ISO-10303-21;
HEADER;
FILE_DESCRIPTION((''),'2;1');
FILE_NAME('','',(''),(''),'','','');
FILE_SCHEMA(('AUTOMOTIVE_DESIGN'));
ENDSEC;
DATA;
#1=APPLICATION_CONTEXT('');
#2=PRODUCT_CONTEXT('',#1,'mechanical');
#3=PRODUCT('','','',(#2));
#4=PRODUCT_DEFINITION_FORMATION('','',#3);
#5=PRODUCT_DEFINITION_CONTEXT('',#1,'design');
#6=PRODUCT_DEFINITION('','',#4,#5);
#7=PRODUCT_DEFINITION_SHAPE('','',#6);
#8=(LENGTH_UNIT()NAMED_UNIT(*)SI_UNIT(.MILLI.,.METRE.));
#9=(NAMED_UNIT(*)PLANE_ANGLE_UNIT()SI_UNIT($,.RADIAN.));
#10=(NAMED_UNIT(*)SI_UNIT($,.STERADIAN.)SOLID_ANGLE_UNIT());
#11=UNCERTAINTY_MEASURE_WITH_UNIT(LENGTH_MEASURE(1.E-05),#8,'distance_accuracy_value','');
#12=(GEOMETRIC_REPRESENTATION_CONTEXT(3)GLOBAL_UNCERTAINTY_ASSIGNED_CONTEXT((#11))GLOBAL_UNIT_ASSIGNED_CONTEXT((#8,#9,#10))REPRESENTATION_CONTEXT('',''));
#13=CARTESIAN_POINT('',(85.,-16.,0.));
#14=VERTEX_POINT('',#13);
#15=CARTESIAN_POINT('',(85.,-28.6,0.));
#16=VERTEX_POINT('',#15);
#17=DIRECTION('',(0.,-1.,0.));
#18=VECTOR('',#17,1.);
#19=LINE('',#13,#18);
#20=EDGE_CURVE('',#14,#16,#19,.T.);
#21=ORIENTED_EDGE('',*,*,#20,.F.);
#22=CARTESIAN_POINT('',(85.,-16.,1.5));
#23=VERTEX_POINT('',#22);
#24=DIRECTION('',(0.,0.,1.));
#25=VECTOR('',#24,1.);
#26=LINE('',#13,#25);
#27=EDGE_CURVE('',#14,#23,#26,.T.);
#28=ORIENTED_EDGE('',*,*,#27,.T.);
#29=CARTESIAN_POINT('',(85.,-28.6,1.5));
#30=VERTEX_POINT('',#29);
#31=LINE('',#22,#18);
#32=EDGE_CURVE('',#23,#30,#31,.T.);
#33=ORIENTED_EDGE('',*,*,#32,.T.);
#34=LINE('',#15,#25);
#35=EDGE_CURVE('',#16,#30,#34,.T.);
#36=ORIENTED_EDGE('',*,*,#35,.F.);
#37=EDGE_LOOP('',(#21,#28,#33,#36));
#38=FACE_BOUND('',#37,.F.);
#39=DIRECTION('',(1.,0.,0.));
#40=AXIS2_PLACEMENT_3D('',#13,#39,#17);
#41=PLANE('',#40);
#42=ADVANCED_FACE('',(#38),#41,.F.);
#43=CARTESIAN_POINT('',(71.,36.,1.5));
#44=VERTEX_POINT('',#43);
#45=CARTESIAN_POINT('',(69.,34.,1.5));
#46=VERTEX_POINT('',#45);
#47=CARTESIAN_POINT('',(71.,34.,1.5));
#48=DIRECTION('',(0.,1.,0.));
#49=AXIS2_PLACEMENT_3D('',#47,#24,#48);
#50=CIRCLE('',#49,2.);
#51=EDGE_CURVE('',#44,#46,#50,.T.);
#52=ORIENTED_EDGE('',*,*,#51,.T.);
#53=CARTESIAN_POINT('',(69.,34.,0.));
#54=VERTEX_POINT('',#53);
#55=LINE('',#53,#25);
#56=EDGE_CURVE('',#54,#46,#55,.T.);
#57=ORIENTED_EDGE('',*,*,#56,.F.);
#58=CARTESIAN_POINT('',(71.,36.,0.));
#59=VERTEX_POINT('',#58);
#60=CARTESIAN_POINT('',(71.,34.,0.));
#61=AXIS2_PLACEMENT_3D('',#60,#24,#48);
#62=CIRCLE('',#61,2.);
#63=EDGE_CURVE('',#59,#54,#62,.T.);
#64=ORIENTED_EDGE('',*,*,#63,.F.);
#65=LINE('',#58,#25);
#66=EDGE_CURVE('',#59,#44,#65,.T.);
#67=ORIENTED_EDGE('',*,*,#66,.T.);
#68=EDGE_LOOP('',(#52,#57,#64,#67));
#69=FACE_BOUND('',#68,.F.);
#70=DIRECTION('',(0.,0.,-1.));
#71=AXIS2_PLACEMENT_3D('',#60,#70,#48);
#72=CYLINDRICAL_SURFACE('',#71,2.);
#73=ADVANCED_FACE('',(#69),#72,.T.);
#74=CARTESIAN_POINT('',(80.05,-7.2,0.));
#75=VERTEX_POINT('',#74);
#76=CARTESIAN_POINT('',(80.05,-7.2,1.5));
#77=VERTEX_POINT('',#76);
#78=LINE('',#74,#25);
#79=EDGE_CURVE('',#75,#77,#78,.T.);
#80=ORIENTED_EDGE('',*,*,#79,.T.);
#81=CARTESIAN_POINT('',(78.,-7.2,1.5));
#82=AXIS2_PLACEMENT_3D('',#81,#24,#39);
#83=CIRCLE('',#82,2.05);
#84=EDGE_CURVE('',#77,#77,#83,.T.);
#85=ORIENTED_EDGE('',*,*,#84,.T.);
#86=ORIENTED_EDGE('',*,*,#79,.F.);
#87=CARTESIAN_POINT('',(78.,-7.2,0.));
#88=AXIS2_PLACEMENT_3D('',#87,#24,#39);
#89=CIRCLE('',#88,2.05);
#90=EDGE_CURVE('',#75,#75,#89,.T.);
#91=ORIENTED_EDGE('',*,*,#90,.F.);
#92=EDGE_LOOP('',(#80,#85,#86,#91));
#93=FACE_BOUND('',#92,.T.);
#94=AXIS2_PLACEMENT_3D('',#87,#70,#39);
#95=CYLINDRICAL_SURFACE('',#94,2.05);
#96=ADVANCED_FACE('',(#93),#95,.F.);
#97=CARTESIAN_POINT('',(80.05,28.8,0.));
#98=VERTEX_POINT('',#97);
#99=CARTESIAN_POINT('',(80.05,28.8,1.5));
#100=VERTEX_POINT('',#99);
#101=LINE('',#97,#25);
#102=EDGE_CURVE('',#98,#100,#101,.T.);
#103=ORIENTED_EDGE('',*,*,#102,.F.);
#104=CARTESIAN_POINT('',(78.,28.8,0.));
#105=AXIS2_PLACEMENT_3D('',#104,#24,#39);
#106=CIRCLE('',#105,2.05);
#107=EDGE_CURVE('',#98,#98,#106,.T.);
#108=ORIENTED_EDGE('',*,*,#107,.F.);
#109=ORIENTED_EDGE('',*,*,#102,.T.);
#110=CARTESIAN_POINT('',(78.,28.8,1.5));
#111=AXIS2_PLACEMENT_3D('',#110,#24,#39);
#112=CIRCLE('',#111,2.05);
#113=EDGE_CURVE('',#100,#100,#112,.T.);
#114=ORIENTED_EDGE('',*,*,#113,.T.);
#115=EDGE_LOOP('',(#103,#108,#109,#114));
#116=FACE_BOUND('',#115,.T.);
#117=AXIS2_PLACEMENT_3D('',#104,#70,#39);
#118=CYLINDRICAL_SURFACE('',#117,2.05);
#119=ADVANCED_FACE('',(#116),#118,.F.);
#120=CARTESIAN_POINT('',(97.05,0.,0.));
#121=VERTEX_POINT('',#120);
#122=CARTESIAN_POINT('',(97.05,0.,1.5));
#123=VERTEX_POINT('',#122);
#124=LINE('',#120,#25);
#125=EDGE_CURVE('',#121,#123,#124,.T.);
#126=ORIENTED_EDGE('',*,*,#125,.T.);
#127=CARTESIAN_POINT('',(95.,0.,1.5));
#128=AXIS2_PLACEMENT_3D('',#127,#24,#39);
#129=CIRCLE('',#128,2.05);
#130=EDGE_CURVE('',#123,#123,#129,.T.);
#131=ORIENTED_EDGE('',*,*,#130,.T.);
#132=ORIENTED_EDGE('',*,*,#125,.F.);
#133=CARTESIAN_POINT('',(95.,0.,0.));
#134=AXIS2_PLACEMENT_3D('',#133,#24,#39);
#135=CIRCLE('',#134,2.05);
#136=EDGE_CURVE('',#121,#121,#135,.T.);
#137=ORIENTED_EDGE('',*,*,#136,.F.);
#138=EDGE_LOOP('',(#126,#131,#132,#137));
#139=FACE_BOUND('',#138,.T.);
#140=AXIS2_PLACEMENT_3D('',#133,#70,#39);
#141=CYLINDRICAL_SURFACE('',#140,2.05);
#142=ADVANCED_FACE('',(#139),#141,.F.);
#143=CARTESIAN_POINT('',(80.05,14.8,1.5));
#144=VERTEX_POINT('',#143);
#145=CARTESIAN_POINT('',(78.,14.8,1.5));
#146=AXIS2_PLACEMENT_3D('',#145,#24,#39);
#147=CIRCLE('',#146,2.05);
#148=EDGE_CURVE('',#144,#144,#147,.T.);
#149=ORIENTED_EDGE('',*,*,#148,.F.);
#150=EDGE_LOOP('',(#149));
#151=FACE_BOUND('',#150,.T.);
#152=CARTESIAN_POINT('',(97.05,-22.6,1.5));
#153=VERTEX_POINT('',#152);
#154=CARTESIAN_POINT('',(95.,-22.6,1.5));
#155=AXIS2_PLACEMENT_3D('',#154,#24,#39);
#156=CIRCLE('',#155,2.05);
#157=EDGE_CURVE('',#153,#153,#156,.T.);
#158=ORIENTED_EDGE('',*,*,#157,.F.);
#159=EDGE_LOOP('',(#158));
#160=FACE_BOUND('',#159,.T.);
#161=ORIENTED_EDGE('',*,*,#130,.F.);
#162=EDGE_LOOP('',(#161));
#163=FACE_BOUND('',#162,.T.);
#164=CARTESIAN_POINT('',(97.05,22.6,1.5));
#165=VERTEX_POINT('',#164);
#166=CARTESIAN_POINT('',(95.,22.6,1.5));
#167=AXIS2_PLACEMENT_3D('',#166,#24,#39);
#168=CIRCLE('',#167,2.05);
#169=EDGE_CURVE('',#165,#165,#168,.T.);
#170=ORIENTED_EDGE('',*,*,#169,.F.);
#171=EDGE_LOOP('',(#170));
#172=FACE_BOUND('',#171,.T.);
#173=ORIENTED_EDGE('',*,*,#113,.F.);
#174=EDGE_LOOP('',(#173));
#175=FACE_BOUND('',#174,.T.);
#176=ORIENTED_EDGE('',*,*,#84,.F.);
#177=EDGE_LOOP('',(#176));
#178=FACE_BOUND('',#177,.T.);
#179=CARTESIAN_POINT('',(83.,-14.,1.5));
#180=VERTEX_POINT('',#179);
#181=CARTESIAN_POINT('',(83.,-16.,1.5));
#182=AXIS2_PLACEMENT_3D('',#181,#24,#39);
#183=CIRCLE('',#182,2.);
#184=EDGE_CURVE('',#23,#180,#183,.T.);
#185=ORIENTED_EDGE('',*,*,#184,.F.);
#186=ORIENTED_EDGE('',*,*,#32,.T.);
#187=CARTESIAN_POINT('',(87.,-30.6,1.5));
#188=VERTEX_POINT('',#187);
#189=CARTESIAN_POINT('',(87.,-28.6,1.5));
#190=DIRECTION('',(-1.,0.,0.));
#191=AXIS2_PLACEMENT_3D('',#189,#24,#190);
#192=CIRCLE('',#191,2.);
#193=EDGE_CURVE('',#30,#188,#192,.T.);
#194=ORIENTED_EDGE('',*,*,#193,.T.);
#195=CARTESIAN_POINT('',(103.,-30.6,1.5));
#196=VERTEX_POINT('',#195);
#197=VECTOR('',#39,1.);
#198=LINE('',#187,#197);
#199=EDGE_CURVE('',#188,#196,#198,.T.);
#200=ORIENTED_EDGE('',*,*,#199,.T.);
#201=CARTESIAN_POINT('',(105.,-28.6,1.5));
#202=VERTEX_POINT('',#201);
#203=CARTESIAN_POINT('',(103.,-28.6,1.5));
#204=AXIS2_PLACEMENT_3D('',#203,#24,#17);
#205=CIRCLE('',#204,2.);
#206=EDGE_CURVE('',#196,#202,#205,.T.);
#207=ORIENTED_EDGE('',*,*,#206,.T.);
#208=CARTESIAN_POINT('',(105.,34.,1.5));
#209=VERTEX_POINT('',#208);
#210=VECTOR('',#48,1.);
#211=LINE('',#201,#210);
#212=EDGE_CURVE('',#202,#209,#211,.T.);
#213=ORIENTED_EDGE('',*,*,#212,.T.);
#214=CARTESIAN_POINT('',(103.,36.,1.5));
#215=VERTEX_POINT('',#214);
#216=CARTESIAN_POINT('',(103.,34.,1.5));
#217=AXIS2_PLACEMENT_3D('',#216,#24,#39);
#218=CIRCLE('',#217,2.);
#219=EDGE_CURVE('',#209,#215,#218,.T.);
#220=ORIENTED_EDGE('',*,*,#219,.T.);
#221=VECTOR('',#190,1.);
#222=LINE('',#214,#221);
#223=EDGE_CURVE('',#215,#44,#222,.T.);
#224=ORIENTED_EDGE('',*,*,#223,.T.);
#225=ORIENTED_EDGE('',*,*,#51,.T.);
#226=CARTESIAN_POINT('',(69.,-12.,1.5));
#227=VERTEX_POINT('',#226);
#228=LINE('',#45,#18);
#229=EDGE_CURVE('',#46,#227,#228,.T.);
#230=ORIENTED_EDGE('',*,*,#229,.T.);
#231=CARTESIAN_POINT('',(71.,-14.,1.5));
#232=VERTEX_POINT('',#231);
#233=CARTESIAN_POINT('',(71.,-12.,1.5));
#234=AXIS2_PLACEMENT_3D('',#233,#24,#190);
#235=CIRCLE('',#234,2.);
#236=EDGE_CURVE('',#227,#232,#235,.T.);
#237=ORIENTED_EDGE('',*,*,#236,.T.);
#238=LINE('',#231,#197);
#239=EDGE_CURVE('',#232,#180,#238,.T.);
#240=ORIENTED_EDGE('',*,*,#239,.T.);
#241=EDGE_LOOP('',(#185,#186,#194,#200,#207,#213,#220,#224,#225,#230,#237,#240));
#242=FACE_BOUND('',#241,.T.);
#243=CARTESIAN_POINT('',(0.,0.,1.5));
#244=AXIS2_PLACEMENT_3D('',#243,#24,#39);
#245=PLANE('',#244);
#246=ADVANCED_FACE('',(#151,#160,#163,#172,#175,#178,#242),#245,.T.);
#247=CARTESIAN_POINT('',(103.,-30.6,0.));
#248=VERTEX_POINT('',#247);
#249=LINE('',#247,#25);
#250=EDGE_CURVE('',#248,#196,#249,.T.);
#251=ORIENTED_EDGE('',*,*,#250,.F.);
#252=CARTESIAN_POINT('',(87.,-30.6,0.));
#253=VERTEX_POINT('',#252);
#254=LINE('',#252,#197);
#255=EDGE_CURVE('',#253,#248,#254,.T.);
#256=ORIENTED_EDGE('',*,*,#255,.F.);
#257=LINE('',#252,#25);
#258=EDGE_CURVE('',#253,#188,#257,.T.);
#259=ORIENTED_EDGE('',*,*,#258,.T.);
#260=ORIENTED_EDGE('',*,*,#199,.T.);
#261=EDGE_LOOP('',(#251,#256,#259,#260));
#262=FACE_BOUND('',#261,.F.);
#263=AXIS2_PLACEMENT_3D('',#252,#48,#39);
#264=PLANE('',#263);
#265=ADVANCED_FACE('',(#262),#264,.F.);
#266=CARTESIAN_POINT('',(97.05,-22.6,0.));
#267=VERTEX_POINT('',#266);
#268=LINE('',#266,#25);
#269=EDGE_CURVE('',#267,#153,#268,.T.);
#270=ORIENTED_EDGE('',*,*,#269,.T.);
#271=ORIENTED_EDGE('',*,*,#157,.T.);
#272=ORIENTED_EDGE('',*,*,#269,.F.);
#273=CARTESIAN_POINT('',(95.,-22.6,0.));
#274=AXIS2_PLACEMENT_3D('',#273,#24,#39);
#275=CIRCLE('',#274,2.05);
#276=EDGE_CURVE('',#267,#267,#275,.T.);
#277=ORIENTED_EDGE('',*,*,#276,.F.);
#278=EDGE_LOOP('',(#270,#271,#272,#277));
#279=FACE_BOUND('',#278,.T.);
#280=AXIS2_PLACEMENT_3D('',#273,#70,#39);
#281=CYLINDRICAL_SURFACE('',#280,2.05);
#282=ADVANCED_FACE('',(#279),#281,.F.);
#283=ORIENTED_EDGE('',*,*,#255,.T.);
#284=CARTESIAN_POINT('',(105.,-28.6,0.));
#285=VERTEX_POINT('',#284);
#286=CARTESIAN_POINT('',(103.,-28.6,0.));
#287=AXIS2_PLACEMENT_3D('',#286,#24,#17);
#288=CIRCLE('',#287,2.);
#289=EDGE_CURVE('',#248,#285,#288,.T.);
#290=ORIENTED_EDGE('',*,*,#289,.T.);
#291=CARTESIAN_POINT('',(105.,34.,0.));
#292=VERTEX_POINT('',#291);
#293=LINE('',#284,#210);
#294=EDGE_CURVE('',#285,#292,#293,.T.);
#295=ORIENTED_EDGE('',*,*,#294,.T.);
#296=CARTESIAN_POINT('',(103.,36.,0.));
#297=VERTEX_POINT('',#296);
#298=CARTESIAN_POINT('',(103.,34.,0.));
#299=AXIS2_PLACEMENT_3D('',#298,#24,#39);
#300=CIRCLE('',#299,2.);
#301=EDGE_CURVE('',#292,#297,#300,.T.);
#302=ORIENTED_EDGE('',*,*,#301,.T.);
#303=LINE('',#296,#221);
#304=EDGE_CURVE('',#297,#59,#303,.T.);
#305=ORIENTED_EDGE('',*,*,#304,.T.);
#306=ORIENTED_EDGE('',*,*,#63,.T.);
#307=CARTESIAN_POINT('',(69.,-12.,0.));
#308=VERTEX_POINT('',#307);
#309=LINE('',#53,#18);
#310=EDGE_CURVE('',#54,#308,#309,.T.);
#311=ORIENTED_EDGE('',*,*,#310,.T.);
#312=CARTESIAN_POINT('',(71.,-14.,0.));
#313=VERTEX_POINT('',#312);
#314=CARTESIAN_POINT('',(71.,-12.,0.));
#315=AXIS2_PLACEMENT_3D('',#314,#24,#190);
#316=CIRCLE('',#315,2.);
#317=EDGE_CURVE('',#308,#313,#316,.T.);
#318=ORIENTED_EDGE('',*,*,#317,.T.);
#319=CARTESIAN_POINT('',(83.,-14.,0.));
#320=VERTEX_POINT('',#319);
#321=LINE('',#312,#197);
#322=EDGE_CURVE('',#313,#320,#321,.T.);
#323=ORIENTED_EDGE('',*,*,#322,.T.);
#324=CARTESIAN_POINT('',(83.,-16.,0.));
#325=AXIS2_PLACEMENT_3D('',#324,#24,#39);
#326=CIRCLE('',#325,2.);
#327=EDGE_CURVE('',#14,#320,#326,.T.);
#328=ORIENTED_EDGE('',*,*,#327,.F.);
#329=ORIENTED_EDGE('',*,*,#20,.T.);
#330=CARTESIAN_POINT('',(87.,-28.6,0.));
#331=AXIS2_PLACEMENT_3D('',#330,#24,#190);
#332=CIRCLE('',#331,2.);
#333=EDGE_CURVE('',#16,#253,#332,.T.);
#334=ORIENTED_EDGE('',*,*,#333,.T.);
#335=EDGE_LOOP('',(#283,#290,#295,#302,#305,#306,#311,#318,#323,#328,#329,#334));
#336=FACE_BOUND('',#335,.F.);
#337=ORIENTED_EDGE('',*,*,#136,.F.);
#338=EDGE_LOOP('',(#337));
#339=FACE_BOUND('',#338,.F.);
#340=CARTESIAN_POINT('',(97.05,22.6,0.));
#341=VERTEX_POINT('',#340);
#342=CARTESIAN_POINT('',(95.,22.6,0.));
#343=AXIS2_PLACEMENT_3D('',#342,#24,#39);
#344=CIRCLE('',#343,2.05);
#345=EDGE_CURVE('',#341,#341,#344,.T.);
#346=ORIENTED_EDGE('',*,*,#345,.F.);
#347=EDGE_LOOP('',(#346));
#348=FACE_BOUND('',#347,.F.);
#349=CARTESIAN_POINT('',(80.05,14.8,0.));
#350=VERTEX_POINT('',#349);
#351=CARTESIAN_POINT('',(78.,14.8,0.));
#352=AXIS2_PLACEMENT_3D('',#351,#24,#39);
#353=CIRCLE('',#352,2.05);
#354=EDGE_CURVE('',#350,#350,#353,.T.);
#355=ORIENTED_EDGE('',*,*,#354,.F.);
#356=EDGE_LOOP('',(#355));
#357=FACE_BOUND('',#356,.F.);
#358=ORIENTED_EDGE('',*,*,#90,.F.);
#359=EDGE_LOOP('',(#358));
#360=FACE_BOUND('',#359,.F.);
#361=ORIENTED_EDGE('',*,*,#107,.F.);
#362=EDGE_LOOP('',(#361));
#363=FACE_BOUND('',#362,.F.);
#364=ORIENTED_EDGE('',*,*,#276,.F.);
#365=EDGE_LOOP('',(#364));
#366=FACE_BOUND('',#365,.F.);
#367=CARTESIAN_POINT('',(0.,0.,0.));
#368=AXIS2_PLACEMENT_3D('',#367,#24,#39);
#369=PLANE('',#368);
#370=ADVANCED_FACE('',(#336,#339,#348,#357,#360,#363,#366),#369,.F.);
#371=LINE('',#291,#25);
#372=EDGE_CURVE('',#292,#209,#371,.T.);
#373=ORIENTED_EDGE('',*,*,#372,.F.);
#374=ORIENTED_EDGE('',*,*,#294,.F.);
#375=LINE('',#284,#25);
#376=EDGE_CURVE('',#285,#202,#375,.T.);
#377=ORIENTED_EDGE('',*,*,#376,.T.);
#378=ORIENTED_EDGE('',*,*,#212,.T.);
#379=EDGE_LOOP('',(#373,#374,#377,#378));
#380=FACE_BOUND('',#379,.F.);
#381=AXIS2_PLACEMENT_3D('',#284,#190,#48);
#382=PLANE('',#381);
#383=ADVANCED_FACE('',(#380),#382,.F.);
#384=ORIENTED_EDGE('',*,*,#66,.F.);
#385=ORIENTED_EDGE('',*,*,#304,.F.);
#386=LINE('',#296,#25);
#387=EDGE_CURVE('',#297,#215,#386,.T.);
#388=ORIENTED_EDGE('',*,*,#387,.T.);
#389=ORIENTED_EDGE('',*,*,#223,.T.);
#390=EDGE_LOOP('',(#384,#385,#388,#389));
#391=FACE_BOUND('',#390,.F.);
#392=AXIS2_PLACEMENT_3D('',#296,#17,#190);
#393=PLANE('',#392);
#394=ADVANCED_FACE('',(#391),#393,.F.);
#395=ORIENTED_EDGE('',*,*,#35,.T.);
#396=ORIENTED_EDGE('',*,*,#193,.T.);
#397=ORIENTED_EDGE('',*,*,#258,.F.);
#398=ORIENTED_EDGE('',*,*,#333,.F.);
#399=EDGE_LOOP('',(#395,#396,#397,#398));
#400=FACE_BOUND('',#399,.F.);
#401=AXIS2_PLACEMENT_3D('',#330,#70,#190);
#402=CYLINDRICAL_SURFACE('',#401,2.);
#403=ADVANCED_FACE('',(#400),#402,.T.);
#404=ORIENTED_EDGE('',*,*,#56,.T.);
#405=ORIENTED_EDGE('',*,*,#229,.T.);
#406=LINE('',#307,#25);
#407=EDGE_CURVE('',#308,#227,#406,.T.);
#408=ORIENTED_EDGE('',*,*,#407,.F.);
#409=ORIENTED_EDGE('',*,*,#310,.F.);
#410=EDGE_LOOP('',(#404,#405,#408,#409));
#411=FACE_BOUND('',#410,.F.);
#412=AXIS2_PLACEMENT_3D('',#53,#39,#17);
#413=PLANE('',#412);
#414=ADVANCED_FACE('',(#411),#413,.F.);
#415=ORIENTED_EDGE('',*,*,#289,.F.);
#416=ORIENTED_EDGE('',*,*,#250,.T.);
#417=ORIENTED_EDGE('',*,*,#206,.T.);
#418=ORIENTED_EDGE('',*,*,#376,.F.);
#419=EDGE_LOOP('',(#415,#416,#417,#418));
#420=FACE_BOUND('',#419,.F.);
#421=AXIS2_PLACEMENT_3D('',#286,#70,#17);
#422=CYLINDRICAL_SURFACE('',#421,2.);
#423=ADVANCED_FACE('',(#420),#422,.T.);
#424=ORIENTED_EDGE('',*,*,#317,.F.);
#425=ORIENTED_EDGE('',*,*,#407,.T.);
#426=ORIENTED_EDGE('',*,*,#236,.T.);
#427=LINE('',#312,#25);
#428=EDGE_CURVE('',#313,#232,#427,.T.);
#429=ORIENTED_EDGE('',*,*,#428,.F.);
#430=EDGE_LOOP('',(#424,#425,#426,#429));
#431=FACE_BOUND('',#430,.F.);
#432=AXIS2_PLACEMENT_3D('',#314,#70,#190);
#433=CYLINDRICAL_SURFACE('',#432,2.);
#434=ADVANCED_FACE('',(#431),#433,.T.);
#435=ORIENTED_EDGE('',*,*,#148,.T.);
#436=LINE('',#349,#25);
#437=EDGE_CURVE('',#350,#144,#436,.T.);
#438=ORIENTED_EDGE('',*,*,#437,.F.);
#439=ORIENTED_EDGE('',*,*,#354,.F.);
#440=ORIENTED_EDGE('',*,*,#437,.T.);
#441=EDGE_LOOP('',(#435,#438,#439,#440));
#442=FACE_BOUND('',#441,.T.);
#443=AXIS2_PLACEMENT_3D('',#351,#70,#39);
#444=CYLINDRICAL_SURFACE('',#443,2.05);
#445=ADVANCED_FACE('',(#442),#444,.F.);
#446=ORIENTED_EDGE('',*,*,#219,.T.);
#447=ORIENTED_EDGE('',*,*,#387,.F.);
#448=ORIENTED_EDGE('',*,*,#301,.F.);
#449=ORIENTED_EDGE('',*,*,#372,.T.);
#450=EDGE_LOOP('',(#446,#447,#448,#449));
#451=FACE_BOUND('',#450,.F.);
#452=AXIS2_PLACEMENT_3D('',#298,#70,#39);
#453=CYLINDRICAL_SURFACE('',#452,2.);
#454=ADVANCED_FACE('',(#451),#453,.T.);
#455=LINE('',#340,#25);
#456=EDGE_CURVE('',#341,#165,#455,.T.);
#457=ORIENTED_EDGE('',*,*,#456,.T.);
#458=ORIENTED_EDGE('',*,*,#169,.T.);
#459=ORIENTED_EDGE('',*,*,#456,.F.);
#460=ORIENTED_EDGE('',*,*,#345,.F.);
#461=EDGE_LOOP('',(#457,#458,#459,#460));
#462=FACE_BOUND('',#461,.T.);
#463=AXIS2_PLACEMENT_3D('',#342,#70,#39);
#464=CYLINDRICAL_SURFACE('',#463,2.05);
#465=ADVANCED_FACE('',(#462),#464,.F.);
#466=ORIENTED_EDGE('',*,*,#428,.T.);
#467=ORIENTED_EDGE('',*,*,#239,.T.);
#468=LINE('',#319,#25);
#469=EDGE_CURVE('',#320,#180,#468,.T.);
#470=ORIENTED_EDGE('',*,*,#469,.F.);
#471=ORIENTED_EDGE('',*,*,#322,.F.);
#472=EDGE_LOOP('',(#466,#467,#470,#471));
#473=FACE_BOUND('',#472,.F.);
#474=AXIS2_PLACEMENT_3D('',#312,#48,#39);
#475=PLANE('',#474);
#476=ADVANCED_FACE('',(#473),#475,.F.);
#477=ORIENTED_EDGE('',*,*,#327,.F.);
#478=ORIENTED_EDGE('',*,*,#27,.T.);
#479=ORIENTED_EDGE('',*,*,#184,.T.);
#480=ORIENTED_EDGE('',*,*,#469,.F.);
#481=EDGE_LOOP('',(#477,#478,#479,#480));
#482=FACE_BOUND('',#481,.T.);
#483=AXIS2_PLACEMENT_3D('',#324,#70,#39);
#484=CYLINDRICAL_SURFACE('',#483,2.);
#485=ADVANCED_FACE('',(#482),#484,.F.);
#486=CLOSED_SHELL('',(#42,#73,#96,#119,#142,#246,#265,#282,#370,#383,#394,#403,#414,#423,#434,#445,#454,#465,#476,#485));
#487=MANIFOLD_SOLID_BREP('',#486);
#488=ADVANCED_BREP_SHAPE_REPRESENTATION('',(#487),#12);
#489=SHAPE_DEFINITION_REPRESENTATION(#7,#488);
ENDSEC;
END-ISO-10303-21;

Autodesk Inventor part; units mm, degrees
ref_plane "YZ Plane" through (0, 0, 0) normal (1, 0, 0) x (0, 1, 0)
ref_plane "XZ Plane" through (0, 0, 0) normal (0, 1, 0) x (-1, 0, 0)
ref_plane "XY Plane" through (0, 0, 0) normal (0, 0, 1) x (1, 0, 0)
sketch "Sketch2" plane through (0, 0, 0) normal (0, 0, 1) x (1, 0, 0)
  arc A0 (93, -22.6) -> (97, -22.6) centre (95, -22.6) ccw construction
  arc A1 (97, -22.6) -> (93, -22.6) centre (95, -22.6) ccw construction
  arc A2 (97, 22.6) -> (93, 22.6) centre (95, 22.6) ccw construction
  arc A3 (93, 22.6) -> (97, 22.6) centre (95, 22.6) ccw construction
  line L0 (207.9, 0) -> (-207.9, 0) construction
  line L1 (0, -294.0706) -> (0, 294.0706) construction
  line L2 (87, -30.6) -> (103, -30.6)
  line L3 (105, -28.6) -> (105, 34)
  line L4 (103, 36) -> (71, 36)
  line L5 (69, 34) -> (69, -12)
  line L6 (71, -14) -> (83, -14)
  line L7 (85, -16) -> (85, -28.6)
  arc A4 (103, -30.6) -> (105, -28.6) centre (103, -28.6) ccw
  arc A5 (85, -28.6) -> (87, -30.6) centre (87, -28.6) ccw
  arc A6 (85, -16) -> (83, -14) centre (83, -16) ccw
  arc A7 (69, -12) -> (71, -14) centre (71, -12) ccw
  arc A8 (71, 36) -> (69, 34) centre (71, 34) ccw
  arc A9 (105, 34) -> (103, 36) centre (103, 34) ccw
  circle A10 centre (78, -7.2) radius 2.05
  circle A11 centre (78, 14.8) radius 2.05
  circle A12 centre (78, 28.8) radius 2.05
  line L8 (78, -7.2) -> (78, 28.8) construction
  line L9 (98, -18.65) -> (98, -26.55) construction
  line L10 (98, -26.55) -> (92, -26.55) construction
  line L11 (92, -18.65) -> (92, -26.55) construction
  line L12 (98, -18.65) -> (92, -18.65) construction
  arc A13 (97, -22.6) -> (93, -22.6) centre (95, -22.6) ccw construction
  arc A14 (93, -22.6) -> (97, -22.6) centre (95, -22.6) ccw construction
  line L13 (92, 18.65) -> (92, 26.55) construction
  line L14 (92, 26.55) -> (98, 26.55) construction
  line L15 (98, 18.65) -> (98, 26.55) construction
  line L16 (92, 18.65) -> (98, 18.65) construction
  arc A15 (93, 22.6) -> (97, 22.6) centre (95, 22.6) ccw construction
  arc A16 (97, 22.6) -> (93, 22.6) centre (95, 22.6) ccw construction
  arc A17 (97, -22.6) -> (93, -22.6) centre (95, -22.6) ccw construction
  arc A18 (97.4356, -1.2768) -> (97.4356, 1.2768) centre (95, 0) ccw construction
  circle A19 centre (95, 0) radius 2.05
  circle A20 centre (95, 22.6) radius 2.05
  circle A21 centre (95, -22.6) radius 2.05
  point P0 (0, 0)
  point P1 (105, 36)
  point P2 (69, 36)
extrude "Extrusion2" add sketch "Sketch2" along normal blind 1.5
properties part number "Oxy_cut" material "Stainless Steel"
